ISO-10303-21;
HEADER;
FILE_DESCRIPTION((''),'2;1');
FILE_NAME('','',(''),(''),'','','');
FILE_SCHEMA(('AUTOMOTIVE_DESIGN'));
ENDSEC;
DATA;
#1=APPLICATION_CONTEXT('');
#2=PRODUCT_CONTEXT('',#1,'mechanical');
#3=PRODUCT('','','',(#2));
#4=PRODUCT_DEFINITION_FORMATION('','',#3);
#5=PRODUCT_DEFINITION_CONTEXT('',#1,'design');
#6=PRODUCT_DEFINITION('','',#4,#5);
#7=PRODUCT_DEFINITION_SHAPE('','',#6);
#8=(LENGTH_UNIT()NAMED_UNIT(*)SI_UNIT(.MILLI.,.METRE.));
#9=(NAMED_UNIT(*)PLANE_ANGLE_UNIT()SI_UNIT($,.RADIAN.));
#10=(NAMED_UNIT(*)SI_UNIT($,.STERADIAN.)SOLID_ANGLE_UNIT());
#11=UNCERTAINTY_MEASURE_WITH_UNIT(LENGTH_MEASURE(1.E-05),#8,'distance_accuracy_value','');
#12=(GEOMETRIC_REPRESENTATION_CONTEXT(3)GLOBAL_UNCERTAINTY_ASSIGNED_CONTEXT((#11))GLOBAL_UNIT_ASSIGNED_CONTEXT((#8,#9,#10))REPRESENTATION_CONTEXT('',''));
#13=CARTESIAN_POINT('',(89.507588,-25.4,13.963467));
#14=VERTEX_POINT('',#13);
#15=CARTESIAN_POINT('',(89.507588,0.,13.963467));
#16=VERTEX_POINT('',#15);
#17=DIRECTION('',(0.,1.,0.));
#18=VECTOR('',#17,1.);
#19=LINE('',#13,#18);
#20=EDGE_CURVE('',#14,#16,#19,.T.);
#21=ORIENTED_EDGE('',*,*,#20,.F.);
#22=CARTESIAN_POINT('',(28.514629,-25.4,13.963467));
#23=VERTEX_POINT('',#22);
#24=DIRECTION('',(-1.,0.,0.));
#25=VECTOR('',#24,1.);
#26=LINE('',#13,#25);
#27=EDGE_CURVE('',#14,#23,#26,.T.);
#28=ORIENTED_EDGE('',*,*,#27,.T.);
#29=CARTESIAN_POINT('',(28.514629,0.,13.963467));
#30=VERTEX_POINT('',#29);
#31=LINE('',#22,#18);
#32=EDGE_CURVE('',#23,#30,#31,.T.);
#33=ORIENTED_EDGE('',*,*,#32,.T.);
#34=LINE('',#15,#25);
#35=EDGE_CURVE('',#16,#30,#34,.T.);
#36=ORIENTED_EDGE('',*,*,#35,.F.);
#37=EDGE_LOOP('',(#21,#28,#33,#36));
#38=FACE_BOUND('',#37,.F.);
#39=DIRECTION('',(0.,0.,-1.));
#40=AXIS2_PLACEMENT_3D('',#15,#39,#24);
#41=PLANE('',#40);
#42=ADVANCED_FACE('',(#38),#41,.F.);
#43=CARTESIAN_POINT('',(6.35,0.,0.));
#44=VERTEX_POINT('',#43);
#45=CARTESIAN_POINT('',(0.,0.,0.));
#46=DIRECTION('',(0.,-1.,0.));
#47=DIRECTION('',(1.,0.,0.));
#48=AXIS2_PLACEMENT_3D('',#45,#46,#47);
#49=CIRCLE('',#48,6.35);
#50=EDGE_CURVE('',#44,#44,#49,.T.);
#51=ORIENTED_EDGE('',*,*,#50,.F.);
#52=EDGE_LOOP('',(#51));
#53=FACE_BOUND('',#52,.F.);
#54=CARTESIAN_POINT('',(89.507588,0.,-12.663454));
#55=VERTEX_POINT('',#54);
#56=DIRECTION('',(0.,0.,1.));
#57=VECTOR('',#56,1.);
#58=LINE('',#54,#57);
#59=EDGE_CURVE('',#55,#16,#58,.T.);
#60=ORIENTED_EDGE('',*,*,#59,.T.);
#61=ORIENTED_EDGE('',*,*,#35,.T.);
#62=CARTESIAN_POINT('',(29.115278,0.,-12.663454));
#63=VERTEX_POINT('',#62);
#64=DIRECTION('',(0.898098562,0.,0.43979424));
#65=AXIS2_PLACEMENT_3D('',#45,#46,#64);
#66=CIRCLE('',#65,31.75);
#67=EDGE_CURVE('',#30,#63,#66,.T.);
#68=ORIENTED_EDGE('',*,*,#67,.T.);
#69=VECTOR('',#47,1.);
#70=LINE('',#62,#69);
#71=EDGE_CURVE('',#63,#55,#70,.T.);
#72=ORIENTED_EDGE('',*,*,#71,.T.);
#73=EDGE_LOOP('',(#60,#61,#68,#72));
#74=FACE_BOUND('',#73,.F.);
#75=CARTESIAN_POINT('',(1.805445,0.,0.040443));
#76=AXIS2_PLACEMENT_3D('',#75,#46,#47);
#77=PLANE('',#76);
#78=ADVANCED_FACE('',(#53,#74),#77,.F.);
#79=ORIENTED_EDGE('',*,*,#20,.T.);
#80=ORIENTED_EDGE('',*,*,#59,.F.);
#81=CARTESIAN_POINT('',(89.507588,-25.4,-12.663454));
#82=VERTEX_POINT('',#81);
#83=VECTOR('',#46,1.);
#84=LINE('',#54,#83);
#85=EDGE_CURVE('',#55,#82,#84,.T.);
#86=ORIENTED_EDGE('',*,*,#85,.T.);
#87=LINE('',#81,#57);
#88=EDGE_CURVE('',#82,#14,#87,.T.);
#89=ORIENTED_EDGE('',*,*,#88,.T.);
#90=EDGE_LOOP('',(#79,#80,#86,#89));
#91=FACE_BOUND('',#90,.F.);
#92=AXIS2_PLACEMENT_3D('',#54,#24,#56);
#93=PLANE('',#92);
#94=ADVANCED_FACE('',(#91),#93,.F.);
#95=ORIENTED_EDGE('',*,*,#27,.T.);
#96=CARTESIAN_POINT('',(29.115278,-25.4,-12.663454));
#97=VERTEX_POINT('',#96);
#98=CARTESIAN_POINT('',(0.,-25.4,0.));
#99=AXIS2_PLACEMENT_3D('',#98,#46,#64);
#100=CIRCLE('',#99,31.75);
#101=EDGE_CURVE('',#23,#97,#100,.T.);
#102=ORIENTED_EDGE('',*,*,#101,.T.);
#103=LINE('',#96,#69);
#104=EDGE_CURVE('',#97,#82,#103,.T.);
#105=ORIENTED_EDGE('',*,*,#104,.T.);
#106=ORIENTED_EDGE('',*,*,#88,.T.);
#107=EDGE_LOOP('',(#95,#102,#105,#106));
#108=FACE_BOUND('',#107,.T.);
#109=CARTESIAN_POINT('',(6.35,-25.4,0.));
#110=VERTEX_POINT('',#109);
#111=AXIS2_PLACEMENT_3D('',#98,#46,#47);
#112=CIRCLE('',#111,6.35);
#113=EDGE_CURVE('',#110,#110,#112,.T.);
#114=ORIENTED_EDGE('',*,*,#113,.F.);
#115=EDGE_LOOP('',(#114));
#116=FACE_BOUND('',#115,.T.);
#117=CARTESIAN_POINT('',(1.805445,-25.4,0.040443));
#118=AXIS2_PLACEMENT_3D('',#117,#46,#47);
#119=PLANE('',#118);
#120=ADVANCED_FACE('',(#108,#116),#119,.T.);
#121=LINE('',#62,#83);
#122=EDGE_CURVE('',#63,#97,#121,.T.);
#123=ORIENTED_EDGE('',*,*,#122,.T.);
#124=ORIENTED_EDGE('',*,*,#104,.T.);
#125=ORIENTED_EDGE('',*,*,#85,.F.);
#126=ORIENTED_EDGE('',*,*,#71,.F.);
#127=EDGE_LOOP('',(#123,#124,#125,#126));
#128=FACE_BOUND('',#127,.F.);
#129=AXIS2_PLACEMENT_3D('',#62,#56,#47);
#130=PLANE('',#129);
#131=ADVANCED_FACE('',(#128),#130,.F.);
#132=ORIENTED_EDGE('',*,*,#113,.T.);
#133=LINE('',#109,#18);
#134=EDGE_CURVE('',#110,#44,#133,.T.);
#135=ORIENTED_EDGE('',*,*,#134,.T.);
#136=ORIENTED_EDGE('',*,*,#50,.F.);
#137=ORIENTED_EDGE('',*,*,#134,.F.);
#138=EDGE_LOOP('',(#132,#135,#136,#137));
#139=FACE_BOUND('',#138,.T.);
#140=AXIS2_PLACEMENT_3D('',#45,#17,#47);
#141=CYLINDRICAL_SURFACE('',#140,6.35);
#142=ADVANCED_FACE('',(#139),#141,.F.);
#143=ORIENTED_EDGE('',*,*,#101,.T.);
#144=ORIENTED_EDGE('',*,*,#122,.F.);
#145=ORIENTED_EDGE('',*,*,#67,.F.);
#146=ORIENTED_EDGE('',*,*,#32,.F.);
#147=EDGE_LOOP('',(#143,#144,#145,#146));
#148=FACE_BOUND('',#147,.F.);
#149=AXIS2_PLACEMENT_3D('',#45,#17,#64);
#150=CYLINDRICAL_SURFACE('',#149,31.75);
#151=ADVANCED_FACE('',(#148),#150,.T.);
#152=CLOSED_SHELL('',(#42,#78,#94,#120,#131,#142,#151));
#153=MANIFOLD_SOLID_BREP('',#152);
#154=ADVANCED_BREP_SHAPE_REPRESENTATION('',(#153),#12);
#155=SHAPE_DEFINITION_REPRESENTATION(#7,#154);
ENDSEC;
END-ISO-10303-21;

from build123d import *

# Parameters (mm, degrees)
F0_R      = 6.35
F1_DEPTH  = 25.4
F1_FACE_R = 6.35
F2_DEPTH  = 13.97


with BuildPart() as f1:
    # F0 (on Front) → F1 (new body)
    with BuildSketch(Plane.XZ):
        with BuildLine():
            ThreePointArc((29.115278, -12.663454), (31.084342, -6.467318), (31.75, 0))
            ThreePointArc((31.75, 0), (30.930583, 7.166695), (28.514629, 13.963467))
            ThreePointArc((28.514629, 13.963467), (-31.741925, -0.716033), (29.115278, -12.663454))
        make_face()
        Circle(F0_R, mode=Mode.SUBTRACT)
        with BuildLine():
            ThreePointArc((28.514629, 13.963467), (30.930583, 7.166695), (31.75, 0))
            ThreePointArc((31.75, 0), (31.084342, -6.467318), (29.115278, -12.663454))
            Line((29.115278, -12.663454), (89.507588, -12.663454))
            Line((89.507588, -12.663454), (89.507588, 13.963467))
            Line((89.507588, 13.963467), (28.514629, 13.963467))
        make_face()
    extrude(amount=F1_DEPTH)

    # F1_face (on face) → F2 (join)
    with BuildSketch(Plane(origin=(20.425137, -25.4, 0.228165), x_dir=(1, 0, 0), z_dir=(0, -1, 0))):
        with BuildLine():
            ThreePointArc((8.089492, 13.735302), (-52.167062, -0.944198), (8.690141, -12.891619))
            Line((8.690141, -12.891619), (69.082451, -12.891619))
            Line((69.082451, -12.891619), (69.082451, 13.735302))
            Line((69.082451, 13.735302), (8.089492, 13.735302))
        make_face()
        with Locations((-20.425137, -0.228165)):
            Circle(F1_FACE_R, mode=Mode.SUBTRACT)
    extrude(amount=-F2_DEPTH)


solid = f1.part
